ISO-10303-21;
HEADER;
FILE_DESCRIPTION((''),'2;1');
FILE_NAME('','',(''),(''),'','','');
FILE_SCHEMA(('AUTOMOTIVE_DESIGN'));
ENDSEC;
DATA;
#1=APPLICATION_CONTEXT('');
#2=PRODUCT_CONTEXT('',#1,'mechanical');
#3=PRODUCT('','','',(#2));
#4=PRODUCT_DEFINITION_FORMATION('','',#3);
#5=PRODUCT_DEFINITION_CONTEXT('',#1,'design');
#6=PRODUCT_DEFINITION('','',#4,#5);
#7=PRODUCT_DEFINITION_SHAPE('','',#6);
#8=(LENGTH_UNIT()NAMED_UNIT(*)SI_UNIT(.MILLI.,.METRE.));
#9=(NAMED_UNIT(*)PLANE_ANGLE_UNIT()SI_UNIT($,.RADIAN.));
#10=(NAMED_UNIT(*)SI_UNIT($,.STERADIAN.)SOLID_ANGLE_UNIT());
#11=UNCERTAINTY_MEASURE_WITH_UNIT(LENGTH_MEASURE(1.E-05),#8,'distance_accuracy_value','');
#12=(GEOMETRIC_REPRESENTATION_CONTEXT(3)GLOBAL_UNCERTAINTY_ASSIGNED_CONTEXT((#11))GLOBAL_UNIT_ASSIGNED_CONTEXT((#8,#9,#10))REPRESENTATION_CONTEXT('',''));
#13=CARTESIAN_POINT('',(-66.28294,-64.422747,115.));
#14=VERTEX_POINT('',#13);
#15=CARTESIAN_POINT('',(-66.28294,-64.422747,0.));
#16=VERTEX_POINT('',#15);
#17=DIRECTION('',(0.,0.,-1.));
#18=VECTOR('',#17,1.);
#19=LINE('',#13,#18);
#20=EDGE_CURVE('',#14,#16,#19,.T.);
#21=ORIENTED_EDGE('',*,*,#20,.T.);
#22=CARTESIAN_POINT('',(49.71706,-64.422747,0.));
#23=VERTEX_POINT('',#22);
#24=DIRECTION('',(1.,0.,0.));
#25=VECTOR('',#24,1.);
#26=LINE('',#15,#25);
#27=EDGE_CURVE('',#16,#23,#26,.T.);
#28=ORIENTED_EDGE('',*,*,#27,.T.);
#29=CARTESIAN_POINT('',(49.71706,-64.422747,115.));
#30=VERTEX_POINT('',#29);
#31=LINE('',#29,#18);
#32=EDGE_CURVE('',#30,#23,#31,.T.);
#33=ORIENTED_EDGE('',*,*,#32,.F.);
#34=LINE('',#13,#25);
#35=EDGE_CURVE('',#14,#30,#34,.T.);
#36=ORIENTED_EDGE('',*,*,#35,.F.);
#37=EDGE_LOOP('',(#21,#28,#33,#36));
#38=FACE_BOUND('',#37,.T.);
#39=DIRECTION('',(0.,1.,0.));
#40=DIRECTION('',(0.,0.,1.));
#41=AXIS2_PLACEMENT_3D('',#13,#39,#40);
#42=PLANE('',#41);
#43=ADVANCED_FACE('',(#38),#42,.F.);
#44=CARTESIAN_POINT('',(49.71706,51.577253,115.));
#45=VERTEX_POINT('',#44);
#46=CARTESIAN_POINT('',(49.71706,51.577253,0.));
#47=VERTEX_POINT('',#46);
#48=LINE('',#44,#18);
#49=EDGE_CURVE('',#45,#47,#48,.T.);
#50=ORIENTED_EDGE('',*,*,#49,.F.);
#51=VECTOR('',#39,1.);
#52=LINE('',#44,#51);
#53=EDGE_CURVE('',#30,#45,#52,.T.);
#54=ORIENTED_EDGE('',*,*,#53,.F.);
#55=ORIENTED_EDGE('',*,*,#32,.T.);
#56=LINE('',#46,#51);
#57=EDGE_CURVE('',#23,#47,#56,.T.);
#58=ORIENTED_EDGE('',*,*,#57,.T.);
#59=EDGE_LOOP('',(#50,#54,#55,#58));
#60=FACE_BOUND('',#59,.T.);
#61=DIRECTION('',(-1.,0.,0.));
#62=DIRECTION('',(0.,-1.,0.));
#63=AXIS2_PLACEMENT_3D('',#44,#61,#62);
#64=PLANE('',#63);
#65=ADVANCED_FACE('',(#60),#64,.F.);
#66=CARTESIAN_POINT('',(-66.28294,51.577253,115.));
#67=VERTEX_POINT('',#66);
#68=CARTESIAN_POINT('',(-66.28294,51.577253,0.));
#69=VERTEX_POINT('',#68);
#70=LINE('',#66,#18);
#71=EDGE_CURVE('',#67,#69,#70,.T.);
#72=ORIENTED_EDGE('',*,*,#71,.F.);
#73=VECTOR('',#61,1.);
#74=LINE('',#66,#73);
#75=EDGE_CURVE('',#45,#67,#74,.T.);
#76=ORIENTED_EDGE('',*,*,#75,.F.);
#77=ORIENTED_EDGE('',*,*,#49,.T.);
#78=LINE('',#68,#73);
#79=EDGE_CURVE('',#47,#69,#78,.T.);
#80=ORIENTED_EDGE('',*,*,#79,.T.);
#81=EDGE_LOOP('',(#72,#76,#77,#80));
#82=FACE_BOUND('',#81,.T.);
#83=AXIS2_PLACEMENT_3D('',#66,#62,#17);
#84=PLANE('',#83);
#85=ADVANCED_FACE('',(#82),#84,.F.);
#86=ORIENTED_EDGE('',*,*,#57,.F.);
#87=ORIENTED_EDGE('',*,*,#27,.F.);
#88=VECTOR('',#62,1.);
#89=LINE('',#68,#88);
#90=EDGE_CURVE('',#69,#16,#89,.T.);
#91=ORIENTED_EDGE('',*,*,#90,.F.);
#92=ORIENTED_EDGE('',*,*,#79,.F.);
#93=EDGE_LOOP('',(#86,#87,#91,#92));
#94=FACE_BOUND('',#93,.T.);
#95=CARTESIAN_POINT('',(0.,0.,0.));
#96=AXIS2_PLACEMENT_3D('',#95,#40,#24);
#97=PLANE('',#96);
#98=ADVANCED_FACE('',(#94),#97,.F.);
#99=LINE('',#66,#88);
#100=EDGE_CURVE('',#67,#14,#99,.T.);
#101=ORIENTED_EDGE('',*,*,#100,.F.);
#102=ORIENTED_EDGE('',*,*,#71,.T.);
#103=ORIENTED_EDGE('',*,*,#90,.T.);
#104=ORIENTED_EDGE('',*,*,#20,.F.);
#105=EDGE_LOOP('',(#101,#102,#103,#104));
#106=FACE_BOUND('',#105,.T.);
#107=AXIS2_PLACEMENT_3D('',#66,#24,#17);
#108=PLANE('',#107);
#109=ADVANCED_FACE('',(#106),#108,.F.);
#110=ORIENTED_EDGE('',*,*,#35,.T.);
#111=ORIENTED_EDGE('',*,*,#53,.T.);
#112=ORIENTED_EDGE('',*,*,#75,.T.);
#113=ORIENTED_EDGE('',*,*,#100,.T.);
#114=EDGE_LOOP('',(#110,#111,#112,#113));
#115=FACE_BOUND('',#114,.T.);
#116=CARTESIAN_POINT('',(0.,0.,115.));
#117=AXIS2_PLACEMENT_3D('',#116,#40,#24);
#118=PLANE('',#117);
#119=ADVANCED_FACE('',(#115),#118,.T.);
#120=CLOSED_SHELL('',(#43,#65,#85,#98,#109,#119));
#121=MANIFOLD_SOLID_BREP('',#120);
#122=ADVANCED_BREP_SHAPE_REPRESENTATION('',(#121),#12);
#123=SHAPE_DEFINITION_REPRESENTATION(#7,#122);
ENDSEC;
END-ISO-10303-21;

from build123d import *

# Parameters (mm, degrees)
ESQUISSE1_W        = 116
ESQUISSE1_H        = 116
BOSS_EXTRU_1_DEPTH = 115


with BuildPart() as part:
    # Esquisse1 → Boss.-Extru.1 (new body)
    with BuildSketch(Plane.XY):
        with Locations((-8.282939914, -6.422746781)):
            Rectangle(ESQUISSE1_W, ESQUISSE1_H)
    extrude(amount=BOSS_EXTRU_1_DEPTH)


solid = part.part
